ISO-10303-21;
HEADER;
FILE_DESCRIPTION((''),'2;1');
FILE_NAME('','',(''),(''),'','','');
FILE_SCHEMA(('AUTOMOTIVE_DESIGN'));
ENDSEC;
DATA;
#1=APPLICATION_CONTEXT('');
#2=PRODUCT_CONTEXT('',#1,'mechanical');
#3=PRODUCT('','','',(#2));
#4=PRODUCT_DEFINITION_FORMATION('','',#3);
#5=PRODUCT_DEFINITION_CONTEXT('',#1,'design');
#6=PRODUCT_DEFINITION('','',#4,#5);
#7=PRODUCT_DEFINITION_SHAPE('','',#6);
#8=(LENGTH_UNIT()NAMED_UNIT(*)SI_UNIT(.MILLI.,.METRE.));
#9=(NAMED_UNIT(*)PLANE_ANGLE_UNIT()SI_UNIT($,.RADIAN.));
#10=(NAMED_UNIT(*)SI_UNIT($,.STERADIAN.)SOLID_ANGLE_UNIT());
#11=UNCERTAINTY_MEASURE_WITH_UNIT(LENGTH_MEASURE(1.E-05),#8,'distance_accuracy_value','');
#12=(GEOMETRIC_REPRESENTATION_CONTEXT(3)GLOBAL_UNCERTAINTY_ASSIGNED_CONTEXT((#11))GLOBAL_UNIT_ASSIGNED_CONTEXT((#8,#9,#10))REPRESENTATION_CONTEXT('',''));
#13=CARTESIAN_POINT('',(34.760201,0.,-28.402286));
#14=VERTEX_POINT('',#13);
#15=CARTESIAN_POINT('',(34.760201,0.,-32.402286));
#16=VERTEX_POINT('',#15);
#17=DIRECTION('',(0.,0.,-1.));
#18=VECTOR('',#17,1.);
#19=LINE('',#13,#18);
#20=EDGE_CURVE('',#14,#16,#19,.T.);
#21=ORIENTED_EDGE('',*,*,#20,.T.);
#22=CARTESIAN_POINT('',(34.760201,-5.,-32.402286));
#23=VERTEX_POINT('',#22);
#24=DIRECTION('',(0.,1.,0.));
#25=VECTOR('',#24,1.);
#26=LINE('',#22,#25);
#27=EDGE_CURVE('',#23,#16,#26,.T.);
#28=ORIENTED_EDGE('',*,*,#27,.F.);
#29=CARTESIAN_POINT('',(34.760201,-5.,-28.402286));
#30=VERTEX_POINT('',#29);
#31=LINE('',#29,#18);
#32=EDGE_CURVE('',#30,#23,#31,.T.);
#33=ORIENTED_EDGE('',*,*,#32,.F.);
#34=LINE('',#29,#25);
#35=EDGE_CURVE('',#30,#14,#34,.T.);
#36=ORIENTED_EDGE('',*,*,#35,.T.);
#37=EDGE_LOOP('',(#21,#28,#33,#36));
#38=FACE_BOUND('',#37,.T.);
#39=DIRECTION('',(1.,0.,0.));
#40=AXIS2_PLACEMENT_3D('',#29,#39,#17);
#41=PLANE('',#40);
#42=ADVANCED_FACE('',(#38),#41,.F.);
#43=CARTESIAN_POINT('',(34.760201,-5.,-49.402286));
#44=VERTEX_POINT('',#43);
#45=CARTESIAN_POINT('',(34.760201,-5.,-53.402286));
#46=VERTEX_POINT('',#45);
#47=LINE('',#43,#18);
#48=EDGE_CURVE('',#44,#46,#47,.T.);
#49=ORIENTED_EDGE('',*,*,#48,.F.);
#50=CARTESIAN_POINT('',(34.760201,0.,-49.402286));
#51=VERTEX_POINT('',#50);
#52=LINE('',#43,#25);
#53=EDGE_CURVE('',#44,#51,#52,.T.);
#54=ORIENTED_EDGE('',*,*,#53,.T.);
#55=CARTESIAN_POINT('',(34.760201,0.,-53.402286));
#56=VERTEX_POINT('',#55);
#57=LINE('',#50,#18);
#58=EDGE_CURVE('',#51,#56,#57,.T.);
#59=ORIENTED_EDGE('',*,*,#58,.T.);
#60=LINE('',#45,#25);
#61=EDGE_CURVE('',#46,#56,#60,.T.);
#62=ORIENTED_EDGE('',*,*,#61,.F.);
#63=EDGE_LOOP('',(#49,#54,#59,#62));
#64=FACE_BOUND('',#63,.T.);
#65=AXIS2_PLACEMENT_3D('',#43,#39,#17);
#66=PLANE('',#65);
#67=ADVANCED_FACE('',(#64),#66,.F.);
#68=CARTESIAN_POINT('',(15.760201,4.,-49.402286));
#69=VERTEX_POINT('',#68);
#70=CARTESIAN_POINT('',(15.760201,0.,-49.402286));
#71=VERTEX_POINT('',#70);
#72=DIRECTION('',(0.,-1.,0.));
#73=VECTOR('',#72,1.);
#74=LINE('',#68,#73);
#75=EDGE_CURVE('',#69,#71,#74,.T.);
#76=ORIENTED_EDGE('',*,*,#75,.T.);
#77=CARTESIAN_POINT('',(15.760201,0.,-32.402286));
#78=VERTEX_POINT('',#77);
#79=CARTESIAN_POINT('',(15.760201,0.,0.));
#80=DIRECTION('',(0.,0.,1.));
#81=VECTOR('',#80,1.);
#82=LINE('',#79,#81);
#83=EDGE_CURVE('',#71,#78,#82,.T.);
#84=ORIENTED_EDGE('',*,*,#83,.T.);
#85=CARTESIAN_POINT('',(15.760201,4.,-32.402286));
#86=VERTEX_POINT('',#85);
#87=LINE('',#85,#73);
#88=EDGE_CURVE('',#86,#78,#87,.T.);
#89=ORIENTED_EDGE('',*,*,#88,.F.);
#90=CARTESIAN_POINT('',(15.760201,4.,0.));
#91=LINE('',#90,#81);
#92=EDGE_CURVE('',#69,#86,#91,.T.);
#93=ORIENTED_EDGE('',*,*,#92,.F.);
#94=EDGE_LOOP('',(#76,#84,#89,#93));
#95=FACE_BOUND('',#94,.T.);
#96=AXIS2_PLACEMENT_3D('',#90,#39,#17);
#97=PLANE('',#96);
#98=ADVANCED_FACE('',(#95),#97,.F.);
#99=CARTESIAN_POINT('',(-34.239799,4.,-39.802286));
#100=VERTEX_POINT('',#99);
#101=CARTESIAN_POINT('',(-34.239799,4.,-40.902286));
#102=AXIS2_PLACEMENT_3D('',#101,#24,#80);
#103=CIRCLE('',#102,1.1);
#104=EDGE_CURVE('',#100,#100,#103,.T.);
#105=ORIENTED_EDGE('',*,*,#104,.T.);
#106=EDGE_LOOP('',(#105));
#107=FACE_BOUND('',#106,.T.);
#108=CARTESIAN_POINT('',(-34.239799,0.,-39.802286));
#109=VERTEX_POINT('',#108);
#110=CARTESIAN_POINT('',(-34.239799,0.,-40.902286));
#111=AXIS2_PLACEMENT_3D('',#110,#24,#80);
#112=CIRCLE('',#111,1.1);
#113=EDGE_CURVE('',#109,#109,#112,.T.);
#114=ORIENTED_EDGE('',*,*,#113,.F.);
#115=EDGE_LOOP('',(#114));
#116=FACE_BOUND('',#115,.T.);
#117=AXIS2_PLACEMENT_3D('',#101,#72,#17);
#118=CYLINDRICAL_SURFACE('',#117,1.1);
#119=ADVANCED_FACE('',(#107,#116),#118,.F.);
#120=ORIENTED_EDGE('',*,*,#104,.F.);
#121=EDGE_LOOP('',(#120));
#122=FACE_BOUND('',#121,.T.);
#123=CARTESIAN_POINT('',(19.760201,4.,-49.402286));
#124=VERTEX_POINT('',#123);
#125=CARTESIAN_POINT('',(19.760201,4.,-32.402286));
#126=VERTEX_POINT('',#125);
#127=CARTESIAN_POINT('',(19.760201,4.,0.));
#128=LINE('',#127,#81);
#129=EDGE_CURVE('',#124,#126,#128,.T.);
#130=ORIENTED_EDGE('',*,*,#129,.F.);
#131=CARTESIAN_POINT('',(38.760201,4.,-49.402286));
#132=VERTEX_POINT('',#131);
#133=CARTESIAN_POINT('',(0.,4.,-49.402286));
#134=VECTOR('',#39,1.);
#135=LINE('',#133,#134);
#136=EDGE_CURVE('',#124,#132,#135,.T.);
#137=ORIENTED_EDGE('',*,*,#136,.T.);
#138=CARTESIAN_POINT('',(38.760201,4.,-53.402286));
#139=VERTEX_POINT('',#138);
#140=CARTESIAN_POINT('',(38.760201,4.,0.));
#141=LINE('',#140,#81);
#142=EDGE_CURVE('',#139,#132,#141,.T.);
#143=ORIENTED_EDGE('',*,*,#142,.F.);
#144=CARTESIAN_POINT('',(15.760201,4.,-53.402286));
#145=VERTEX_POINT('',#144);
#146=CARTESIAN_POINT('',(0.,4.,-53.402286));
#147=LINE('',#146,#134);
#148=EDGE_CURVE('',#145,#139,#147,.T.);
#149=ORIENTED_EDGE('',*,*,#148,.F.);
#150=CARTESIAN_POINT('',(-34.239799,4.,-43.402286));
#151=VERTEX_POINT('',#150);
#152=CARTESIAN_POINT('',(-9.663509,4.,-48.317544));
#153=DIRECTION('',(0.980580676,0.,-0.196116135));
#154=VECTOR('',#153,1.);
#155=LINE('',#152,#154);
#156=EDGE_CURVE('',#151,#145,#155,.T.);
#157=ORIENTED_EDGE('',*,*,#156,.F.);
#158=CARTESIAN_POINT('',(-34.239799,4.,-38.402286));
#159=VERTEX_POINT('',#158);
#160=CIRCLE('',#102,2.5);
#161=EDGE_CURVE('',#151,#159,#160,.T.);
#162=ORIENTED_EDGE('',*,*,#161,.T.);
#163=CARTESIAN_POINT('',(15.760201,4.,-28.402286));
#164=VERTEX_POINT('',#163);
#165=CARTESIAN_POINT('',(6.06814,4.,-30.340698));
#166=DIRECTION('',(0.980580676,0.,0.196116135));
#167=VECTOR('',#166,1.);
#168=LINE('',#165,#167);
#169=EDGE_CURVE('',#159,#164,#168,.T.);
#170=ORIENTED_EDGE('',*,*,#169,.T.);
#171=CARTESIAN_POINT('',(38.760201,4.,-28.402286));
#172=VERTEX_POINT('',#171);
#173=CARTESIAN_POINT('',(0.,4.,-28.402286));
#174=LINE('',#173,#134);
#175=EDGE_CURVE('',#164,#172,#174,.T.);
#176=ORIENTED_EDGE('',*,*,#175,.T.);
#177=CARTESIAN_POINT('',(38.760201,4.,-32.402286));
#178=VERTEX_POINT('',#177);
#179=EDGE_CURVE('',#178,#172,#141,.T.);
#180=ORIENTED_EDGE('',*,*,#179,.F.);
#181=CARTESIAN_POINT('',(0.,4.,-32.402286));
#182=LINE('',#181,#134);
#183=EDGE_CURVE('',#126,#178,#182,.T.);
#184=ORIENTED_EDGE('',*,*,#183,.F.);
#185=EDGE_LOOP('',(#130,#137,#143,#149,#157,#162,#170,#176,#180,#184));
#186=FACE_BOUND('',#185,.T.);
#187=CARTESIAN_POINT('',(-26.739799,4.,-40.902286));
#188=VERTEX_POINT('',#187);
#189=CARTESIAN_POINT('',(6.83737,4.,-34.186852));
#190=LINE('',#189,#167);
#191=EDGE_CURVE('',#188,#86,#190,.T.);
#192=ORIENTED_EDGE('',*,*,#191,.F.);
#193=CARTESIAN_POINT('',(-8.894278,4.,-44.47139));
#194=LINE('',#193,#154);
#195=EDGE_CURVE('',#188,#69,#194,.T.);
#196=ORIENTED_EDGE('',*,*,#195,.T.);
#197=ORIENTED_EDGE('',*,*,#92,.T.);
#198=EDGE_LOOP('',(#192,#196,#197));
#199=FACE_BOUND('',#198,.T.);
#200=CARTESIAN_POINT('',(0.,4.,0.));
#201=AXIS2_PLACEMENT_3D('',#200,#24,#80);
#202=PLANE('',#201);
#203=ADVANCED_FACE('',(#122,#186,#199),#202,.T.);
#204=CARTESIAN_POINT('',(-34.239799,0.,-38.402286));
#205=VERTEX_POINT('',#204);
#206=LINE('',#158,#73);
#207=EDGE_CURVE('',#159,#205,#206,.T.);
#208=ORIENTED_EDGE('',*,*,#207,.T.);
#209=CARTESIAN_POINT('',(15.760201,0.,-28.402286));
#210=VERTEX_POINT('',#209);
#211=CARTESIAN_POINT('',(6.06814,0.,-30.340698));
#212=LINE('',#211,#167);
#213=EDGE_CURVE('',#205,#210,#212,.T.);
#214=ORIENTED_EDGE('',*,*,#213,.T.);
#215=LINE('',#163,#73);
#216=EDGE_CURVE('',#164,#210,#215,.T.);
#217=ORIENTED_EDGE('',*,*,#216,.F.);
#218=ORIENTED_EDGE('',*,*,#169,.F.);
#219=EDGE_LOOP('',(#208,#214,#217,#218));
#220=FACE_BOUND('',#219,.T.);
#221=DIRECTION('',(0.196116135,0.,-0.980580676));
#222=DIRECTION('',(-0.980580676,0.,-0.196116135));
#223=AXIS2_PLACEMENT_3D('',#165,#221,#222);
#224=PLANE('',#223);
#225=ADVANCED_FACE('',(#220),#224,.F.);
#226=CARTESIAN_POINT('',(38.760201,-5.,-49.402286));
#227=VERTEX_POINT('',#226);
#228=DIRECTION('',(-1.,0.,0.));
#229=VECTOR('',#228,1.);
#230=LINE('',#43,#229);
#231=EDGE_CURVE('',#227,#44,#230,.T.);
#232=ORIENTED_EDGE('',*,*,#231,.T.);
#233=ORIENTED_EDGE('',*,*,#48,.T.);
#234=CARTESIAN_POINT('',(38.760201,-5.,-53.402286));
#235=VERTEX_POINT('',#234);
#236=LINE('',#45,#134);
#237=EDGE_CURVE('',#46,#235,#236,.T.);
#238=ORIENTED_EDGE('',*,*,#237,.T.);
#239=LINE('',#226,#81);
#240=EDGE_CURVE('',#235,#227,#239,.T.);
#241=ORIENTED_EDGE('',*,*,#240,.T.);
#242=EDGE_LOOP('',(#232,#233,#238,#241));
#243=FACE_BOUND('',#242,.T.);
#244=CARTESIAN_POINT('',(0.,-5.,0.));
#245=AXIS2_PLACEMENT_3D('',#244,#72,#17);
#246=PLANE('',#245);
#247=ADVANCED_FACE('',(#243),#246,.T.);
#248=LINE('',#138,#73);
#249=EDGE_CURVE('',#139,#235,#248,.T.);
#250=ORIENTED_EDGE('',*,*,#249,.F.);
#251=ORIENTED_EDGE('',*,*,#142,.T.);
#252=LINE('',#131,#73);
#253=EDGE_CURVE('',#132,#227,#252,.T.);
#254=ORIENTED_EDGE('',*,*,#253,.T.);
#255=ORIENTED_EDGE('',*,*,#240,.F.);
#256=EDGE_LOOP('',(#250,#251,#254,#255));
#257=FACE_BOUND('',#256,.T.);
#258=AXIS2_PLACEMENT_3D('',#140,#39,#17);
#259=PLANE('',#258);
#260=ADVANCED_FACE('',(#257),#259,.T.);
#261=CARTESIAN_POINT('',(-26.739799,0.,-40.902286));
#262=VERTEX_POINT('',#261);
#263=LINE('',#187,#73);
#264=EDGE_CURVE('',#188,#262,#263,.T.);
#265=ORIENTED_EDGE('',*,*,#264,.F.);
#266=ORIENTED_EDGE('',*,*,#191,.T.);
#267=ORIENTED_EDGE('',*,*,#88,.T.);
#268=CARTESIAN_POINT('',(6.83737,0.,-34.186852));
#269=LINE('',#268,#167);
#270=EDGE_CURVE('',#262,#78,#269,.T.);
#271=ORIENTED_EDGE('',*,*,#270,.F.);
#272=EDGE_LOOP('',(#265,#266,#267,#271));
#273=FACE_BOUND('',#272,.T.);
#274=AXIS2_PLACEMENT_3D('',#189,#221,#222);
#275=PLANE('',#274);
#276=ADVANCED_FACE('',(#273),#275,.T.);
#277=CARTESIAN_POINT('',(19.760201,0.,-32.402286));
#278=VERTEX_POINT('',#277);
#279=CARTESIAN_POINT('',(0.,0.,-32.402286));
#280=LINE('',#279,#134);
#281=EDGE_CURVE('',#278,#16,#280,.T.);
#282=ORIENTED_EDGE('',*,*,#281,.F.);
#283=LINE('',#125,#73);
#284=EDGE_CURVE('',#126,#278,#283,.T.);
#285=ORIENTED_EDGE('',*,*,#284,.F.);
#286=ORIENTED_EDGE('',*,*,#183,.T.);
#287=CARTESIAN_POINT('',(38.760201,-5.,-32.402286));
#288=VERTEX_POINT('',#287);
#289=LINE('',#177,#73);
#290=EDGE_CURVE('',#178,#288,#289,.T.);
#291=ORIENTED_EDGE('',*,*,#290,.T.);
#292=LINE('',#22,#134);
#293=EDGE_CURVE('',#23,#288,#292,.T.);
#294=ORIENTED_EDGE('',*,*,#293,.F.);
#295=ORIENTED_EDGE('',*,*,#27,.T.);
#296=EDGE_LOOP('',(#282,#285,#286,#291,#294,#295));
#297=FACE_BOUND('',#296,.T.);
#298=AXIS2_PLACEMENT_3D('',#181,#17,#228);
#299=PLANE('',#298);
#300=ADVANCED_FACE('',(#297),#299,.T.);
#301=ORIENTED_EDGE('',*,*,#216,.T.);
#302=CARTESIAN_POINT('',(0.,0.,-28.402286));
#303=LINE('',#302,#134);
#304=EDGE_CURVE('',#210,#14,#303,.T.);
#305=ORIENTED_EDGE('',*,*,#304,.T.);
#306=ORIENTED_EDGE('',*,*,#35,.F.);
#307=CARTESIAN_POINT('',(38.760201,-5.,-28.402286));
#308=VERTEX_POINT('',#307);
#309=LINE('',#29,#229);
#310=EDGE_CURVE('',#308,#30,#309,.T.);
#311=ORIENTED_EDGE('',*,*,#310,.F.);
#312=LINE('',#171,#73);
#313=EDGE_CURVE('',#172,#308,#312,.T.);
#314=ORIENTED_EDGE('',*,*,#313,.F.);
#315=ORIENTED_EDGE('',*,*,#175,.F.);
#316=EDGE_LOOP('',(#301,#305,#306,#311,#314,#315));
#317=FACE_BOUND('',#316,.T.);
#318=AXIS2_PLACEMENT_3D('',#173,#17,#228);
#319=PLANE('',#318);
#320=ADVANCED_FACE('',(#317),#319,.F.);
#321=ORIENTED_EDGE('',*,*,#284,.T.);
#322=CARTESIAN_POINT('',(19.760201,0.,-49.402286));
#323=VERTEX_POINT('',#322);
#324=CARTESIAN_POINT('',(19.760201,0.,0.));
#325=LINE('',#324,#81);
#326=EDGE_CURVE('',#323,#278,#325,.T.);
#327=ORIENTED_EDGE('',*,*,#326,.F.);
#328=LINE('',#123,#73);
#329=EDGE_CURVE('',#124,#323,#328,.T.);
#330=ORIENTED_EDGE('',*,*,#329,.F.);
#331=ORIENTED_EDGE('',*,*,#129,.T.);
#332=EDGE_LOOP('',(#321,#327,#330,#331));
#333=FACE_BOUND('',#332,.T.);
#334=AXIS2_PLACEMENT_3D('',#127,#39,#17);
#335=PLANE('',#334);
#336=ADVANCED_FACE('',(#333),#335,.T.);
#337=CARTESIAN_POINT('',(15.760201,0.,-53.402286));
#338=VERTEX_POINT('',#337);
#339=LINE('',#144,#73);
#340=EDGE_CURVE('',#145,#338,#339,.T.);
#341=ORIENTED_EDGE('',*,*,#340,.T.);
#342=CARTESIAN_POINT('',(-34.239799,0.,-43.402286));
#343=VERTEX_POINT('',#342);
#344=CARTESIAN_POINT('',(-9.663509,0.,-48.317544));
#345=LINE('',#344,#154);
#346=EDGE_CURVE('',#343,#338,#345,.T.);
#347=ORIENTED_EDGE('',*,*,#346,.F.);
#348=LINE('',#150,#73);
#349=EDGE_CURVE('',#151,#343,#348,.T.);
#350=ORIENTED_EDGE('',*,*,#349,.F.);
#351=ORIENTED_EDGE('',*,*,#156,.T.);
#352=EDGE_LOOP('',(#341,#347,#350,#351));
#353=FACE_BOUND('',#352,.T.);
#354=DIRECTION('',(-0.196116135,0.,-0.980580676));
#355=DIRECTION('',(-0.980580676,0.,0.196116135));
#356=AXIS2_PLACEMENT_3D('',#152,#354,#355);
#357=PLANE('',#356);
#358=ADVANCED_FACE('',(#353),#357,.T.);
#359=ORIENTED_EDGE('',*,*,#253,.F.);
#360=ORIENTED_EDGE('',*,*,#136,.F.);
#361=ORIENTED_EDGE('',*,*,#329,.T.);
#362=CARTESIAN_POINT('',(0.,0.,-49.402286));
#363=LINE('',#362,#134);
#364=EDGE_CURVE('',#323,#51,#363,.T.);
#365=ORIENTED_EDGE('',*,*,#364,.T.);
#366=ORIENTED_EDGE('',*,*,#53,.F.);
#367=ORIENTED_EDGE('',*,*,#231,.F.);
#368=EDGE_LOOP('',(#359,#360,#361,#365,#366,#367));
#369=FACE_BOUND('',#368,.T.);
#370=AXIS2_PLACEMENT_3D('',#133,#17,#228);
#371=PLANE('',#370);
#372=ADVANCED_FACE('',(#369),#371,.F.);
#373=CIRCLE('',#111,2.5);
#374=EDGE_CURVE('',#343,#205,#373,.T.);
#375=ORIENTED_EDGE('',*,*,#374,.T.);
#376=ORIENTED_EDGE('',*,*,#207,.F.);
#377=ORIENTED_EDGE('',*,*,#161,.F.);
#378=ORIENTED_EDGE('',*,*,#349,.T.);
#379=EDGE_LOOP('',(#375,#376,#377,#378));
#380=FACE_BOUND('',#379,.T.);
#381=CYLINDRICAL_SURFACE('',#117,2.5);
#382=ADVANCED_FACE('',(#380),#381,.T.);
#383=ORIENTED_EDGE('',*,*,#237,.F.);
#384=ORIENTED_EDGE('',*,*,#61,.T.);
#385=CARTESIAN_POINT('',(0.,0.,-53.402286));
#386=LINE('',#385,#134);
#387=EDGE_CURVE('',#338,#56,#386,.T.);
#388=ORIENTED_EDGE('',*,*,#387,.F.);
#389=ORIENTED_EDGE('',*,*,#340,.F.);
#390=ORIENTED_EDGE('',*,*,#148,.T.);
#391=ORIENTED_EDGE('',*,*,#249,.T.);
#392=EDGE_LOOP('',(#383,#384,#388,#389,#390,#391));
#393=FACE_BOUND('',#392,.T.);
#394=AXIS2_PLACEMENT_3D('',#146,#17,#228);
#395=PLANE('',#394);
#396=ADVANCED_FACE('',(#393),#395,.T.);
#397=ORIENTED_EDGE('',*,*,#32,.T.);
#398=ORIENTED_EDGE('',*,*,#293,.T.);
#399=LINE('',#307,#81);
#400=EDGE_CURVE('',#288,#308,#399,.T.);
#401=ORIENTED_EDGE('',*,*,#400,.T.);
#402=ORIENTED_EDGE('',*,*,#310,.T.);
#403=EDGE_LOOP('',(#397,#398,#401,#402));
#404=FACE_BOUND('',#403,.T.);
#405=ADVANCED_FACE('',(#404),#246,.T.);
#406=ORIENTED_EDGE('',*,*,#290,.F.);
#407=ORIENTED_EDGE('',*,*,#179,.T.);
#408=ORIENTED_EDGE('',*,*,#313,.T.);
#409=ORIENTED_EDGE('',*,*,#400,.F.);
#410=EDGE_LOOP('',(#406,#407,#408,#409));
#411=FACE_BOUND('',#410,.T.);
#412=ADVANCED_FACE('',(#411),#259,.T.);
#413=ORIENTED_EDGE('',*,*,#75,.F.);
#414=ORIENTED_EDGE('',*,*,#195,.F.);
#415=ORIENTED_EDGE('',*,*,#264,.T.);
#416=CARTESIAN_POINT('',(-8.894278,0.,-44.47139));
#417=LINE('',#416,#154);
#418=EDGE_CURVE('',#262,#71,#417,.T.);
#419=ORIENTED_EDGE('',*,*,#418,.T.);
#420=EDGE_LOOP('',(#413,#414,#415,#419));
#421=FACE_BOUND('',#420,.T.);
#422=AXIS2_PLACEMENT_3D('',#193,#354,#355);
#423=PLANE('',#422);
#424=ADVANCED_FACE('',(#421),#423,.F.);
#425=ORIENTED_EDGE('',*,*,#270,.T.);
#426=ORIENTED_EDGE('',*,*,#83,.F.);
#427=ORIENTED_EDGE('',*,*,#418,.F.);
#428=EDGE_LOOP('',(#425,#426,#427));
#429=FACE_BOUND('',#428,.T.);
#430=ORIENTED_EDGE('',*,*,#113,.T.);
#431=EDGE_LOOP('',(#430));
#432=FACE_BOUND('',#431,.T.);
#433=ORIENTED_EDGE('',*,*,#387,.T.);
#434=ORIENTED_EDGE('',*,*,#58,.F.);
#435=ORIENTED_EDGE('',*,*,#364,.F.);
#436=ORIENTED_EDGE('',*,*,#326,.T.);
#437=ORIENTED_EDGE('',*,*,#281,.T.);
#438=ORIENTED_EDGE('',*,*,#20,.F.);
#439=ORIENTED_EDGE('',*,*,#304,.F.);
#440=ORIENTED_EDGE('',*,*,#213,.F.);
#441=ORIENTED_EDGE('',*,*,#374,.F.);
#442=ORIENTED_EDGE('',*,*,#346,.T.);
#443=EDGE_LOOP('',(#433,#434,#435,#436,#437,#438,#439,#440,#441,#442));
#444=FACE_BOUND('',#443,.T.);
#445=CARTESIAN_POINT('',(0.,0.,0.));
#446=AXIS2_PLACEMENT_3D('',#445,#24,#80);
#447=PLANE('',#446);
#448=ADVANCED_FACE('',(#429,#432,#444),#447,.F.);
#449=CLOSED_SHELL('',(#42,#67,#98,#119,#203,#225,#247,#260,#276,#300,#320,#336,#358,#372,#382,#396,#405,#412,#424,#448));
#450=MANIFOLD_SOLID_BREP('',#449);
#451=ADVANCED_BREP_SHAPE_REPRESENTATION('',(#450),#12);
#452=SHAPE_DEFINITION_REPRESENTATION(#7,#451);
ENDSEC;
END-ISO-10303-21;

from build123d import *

# Parameters (mm, degrees)
SKETCH1_R           = 1.1
BOSS_EXTRUDE1_DEPTH = 4
SKETCH2_W           = 4
SKETCH2_H           = 4
BOSS_EXTRUDE2_DEPTH = 5


with BuildPart() as part:
    # Sketch1 → Boss-Extrude1 (new body)
    with BuildSketch(Plane(origin=(0, 0, 0), x_dir=(1, 0, 0), z_dir=(0, 1, 0))):
        with BuildLine():
            Line((15.760200843, 53.402286132), (-34.239799157, 43.402286132))
            ThreePointArc((-34.239799157, 43.402286132), (-36.739799157, 40.902286132), (-34.239799157, 38.402286132))
            Line((-34.239799157, 38.402286132), (15.760200843, 28.402286132))
            Line((15.760200843, 28.402286132), (38.760200843, 28.402286132))
            Line((38.760200843, 28.402286132), (38.760200843, 32.402286132))
            Line((38.760200843, 32.402286132), (19.760200843, 32.402286132))
            Line((19.760200843, 32.402286132), (19.760200843, 49.402286132))
            Line((19.760200843, 49.402286132), (38.760200843, 49.402286132))
            Line((38.760200843, 49.402286132), (38.760200843, 53.402286132))
            Line((38.760200843, 53.402286132), (15.760200843, 53.402286132))
        make_face()
        Polygon((-26.739799157, 40.902286132), (15.760200843, 49.402286132), (15.760200843, 32.402286132), align=None, mode=Mode.SUBTRACT)
        with Locations((-34.239799157, 40.902286132)):
            Circle(SKETCH1_R, mode=Mode.SUBTRACT)
    extrude(amount=BOSS_EXTRUDE1_DEPTH)

    # Sketch2 → Boss-Extrude2 (add)
    with BuildSketch(Plane.XZ):
        with Locations((36.760200843, -30.402286132)):
            Rectangle(SKETCH2_W, SKETCH2_H)
        with Locations((36.760200843, -51.402286132)):
            Rectangle(SKETCH2_W, SKETCH2_H)
    extrude(amount=BOSS_EXTRUDE2_DEPTH)


solid = part.part
